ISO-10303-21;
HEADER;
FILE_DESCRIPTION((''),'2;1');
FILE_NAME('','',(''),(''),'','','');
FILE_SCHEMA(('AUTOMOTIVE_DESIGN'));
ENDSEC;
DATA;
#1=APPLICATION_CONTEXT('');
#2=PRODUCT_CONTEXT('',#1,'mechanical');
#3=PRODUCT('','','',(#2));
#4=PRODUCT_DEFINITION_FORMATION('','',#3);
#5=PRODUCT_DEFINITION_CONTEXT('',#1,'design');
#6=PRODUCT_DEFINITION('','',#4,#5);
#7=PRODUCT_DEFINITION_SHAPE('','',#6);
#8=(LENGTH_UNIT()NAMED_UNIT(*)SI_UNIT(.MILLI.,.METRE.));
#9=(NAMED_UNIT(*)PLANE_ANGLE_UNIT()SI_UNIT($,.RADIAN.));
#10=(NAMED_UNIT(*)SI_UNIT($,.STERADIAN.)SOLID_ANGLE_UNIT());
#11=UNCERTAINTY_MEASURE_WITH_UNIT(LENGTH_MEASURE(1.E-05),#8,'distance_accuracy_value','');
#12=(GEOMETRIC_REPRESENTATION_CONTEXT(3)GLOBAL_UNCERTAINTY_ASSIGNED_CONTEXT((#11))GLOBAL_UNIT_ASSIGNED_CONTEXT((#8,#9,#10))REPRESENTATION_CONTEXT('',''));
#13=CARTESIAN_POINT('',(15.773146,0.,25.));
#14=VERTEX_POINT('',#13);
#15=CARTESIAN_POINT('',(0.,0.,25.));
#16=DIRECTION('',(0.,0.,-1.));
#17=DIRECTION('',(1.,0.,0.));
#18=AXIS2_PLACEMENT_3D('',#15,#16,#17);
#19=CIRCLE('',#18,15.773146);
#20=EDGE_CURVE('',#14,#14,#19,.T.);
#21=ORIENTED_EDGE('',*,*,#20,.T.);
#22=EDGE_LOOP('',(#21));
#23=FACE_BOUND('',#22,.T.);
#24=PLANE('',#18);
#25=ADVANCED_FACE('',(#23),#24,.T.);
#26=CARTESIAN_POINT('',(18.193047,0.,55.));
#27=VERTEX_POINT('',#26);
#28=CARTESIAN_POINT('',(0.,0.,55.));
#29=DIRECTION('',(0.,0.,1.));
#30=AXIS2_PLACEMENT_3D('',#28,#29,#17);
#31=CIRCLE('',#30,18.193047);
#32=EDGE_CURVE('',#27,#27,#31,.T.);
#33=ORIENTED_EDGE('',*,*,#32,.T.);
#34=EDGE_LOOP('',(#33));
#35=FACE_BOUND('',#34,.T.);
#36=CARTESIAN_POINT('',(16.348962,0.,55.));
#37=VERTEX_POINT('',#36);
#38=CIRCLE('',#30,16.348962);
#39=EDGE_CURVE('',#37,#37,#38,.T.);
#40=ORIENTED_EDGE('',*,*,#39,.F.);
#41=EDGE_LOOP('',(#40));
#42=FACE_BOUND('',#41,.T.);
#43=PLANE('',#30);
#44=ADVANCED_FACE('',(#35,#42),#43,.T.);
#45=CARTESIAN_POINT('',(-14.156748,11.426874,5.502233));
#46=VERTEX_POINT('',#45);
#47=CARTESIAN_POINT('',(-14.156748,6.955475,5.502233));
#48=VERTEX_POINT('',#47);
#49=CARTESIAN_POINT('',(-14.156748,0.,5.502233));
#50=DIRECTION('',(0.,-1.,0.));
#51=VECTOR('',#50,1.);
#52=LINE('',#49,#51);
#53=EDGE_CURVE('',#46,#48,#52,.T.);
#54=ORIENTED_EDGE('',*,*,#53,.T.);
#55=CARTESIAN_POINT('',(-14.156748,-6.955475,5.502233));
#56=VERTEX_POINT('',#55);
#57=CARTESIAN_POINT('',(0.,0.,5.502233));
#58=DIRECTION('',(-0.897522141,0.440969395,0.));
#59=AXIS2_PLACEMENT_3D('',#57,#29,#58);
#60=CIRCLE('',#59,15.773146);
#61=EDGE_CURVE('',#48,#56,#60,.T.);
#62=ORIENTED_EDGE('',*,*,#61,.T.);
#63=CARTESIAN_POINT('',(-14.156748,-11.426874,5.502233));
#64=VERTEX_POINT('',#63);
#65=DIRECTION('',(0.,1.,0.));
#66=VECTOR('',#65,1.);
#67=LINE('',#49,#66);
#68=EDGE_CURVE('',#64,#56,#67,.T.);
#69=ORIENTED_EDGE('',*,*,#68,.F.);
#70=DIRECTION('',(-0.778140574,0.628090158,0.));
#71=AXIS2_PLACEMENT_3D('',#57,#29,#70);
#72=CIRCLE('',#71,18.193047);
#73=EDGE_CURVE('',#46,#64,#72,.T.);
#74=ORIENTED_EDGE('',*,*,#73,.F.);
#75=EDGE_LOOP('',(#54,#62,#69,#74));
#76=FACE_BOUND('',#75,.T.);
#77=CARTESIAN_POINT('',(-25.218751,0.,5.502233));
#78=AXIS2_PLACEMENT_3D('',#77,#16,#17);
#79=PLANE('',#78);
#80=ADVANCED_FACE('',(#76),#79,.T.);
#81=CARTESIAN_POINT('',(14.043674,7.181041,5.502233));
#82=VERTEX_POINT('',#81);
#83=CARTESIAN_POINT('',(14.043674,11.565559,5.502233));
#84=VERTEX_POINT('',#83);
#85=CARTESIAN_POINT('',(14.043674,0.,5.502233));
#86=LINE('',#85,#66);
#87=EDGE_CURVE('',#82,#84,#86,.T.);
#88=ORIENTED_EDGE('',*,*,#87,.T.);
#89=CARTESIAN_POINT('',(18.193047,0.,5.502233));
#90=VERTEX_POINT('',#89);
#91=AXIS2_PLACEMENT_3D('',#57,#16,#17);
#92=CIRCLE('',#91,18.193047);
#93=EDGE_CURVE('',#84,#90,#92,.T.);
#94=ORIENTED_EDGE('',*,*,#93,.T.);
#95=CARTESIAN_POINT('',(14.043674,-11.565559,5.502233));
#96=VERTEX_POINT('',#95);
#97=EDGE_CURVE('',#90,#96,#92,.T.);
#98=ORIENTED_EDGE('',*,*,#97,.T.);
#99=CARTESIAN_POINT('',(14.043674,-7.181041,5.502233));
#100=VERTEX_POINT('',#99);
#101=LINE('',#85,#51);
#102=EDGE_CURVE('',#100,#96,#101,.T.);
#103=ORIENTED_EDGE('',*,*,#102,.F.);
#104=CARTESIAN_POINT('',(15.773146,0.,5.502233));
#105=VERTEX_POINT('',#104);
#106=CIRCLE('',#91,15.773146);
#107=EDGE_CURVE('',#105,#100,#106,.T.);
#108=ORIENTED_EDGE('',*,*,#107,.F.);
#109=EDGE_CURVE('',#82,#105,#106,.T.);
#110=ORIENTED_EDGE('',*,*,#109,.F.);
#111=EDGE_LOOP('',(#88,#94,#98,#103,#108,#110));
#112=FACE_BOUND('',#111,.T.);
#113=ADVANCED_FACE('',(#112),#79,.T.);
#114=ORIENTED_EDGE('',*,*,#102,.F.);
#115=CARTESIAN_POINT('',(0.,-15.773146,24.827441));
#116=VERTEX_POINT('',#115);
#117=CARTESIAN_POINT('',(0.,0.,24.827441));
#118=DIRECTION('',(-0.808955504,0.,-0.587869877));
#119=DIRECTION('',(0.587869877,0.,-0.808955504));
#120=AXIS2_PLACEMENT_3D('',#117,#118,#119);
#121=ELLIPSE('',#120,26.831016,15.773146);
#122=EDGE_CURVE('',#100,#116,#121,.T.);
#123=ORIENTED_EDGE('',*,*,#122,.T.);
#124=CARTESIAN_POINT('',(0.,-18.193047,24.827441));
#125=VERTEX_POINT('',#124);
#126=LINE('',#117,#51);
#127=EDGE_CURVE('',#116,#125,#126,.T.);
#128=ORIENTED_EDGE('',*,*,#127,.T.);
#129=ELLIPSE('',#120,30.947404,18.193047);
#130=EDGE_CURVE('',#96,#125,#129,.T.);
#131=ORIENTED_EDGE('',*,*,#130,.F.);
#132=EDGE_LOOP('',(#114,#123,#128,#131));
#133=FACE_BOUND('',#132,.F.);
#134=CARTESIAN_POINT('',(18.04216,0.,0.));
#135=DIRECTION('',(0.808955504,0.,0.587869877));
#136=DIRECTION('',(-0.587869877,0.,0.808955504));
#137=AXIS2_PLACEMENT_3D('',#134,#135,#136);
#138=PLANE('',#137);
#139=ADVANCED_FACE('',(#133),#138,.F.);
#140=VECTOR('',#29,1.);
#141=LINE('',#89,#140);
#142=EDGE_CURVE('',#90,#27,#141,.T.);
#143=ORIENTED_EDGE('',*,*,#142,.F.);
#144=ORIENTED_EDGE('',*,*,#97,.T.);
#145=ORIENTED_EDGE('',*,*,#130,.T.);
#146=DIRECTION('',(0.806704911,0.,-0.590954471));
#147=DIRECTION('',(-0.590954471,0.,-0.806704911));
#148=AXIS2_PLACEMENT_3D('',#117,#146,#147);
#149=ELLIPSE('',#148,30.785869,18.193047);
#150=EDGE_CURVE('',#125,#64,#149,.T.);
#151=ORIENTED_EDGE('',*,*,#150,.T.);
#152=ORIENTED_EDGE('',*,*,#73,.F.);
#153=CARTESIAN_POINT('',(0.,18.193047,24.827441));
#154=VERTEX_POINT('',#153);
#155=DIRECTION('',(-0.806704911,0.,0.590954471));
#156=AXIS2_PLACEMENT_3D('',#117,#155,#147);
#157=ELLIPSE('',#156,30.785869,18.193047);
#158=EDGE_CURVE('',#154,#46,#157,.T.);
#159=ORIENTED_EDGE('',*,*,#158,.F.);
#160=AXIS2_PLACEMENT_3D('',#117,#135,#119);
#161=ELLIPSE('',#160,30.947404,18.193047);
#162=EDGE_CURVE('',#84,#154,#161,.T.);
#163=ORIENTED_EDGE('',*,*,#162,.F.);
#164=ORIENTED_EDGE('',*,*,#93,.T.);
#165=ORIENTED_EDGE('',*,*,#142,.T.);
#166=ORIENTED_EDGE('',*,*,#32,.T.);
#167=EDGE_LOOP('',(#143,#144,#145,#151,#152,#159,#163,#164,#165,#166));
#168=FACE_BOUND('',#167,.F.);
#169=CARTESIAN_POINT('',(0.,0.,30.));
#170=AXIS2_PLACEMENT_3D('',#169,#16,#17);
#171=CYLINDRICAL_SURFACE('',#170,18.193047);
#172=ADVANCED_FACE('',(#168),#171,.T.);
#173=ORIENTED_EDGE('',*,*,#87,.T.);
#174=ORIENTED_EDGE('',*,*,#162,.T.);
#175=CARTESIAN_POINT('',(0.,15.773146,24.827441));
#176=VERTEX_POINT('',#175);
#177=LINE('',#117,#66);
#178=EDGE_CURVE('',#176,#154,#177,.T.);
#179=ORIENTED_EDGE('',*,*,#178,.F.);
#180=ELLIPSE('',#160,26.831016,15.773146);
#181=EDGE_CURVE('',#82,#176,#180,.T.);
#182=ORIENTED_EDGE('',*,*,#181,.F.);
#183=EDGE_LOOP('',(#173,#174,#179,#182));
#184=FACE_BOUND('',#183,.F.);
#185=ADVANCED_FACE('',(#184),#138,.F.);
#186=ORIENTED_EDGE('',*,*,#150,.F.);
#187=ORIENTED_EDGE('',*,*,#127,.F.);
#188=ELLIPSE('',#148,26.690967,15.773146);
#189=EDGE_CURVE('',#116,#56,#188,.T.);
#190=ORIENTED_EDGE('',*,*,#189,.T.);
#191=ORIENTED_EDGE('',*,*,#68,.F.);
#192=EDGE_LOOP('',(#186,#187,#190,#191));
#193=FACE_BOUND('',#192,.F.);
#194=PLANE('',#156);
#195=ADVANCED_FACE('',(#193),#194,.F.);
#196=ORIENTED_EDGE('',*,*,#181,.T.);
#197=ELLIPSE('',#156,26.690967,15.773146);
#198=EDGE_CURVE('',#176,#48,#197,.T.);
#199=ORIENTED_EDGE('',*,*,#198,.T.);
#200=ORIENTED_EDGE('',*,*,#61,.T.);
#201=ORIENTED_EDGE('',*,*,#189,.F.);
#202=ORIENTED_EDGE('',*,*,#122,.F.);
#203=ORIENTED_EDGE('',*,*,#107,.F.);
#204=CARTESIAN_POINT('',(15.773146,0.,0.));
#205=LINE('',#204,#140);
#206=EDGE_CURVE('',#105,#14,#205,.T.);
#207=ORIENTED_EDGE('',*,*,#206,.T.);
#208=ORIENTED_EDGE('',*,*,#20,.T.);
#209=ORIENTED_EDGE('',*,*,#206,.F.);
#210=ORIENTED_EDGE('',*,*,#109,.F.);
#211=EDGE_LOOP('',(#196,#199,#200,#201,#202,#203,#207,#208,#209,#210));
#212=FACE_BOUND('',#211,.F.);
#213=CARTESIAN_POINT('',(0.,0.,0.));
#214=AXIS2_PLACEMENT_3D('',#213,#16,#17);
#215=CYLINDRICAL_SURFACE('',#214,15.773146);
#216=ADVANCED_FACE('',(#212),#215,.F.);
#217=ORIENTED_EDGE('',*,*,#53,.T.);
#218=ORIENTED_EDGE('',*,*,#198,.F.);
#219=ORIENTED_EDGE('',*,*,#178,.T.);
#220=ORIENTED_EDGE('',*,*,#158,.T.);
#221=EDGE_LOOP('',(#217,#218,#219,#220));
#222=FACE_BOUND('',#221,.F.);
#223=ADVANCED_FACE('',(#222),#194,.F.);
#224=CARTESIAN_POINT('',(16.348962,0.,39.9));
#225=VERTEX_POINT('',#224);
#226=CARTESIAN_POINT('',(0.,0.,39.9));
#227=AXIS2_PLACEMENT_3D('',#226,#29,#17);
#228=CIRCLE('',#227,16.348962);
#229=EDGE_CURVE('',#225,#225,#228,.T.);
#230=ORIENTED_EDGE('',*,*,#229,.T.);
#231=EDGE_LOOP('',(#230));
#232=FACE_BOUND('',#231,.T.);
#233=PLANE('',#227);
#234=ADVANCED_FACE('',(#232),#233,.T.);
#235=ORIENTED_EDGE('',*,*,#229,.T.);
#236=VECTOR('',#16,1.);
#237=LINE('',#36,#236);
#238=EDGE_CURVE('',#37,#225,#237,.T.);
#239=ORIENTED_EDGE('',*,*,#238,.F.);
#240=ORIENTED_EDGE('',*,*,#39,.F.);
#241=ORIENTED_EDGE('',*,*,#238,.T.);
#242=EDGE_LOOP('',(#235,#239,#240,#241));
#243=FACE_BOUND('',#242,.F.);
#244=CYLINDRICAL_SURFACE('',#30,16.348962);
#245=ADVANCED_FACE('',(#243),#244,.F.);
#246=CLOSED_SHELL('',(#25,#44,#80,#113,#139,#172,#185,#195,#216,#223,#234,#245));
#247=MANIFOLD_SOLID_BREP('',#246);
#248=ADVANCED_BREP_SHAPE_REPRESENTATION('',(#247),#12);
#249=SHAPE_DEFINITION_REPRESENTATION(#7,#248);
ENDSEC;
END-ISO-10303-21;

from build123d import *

# Parameters (mm, degrees)
F0_R          = 18.1930467882
F1_DEPTH      = 30
F2_R          = 15.7731461296
F3_DEPTH      = 25
F5_DEPTH      = 25
F5_DEPTH_BACK = 25
F6_W          = 50.437502563
F6_H          = 30.6197889149
F7_DEPTH      = 25
F7_DEPTH_BACK = 25
F8_DEPTH      = 25
F9_R          = 16.3489622069
F10_DEPTH     = 15.1


with BuildPart() as f1:
    # F0 (on Top) → F1 (new body)
    with BuildSketch(Plane.XY):
        Circle(F0_R)
    extrude(amount=F1_DEPTH)

    # F2 (on face) → F3 (cut)
    with BuildSketch(Plane(origin=(0, 0, 0), x_dir=(1, 0, 0), z_dir=(0, 0, -1))):
        Circle(F2_R)
    extrude(amount=-F3_DEPTH, mode=Mode.SUBTRACT)

    # F4 (on Front) → F5 (cut, two sides)
    with BuildSketch(Plane.XZ) as f5_sk:
        Polygon((0, 24.8274412006), (-18.1874278933, 0), (18.0421601981, 0), align=None)
    extrude(amount=-F5_DEPTH, mode=Mode.SUBTRACT)
    extrude(f5_sk.sketch, amount=F5_DEPTH_BACK, mode=Mode.SUBTRACT)

    # F6 (on Front) → F7 (cut, two sides)
    with BuildSketch(Plane.XZ) as f7_sk:
        with Locations((0, -9.8076611757)):
            Rectangle(F6_W, F6_H)
    extrude(amount=-F7_DEPTH, mode=Mode.SUBTRACT)
    extrude(f7_sk.sketch, amount=F7_DEPTH_BACK, mode=Mode.SUBTRACT)

    # F8 (add): a face of the model
    f8_faces = [f1.faces().sort_by_distance(p)[0] for p in [
        (0, 0, 30),
    ]]
    extrude(f8_faces, amount=F8_DEPTH)

    # F9 (on face) → F10 (cut)
    with BuildSketch(Plane.XY.offset(55)):
        Circle(F9_R)
    extrude(amount=-F10_DEPTH, mode=Mode.SUBTRACT)


solid = f1.part
